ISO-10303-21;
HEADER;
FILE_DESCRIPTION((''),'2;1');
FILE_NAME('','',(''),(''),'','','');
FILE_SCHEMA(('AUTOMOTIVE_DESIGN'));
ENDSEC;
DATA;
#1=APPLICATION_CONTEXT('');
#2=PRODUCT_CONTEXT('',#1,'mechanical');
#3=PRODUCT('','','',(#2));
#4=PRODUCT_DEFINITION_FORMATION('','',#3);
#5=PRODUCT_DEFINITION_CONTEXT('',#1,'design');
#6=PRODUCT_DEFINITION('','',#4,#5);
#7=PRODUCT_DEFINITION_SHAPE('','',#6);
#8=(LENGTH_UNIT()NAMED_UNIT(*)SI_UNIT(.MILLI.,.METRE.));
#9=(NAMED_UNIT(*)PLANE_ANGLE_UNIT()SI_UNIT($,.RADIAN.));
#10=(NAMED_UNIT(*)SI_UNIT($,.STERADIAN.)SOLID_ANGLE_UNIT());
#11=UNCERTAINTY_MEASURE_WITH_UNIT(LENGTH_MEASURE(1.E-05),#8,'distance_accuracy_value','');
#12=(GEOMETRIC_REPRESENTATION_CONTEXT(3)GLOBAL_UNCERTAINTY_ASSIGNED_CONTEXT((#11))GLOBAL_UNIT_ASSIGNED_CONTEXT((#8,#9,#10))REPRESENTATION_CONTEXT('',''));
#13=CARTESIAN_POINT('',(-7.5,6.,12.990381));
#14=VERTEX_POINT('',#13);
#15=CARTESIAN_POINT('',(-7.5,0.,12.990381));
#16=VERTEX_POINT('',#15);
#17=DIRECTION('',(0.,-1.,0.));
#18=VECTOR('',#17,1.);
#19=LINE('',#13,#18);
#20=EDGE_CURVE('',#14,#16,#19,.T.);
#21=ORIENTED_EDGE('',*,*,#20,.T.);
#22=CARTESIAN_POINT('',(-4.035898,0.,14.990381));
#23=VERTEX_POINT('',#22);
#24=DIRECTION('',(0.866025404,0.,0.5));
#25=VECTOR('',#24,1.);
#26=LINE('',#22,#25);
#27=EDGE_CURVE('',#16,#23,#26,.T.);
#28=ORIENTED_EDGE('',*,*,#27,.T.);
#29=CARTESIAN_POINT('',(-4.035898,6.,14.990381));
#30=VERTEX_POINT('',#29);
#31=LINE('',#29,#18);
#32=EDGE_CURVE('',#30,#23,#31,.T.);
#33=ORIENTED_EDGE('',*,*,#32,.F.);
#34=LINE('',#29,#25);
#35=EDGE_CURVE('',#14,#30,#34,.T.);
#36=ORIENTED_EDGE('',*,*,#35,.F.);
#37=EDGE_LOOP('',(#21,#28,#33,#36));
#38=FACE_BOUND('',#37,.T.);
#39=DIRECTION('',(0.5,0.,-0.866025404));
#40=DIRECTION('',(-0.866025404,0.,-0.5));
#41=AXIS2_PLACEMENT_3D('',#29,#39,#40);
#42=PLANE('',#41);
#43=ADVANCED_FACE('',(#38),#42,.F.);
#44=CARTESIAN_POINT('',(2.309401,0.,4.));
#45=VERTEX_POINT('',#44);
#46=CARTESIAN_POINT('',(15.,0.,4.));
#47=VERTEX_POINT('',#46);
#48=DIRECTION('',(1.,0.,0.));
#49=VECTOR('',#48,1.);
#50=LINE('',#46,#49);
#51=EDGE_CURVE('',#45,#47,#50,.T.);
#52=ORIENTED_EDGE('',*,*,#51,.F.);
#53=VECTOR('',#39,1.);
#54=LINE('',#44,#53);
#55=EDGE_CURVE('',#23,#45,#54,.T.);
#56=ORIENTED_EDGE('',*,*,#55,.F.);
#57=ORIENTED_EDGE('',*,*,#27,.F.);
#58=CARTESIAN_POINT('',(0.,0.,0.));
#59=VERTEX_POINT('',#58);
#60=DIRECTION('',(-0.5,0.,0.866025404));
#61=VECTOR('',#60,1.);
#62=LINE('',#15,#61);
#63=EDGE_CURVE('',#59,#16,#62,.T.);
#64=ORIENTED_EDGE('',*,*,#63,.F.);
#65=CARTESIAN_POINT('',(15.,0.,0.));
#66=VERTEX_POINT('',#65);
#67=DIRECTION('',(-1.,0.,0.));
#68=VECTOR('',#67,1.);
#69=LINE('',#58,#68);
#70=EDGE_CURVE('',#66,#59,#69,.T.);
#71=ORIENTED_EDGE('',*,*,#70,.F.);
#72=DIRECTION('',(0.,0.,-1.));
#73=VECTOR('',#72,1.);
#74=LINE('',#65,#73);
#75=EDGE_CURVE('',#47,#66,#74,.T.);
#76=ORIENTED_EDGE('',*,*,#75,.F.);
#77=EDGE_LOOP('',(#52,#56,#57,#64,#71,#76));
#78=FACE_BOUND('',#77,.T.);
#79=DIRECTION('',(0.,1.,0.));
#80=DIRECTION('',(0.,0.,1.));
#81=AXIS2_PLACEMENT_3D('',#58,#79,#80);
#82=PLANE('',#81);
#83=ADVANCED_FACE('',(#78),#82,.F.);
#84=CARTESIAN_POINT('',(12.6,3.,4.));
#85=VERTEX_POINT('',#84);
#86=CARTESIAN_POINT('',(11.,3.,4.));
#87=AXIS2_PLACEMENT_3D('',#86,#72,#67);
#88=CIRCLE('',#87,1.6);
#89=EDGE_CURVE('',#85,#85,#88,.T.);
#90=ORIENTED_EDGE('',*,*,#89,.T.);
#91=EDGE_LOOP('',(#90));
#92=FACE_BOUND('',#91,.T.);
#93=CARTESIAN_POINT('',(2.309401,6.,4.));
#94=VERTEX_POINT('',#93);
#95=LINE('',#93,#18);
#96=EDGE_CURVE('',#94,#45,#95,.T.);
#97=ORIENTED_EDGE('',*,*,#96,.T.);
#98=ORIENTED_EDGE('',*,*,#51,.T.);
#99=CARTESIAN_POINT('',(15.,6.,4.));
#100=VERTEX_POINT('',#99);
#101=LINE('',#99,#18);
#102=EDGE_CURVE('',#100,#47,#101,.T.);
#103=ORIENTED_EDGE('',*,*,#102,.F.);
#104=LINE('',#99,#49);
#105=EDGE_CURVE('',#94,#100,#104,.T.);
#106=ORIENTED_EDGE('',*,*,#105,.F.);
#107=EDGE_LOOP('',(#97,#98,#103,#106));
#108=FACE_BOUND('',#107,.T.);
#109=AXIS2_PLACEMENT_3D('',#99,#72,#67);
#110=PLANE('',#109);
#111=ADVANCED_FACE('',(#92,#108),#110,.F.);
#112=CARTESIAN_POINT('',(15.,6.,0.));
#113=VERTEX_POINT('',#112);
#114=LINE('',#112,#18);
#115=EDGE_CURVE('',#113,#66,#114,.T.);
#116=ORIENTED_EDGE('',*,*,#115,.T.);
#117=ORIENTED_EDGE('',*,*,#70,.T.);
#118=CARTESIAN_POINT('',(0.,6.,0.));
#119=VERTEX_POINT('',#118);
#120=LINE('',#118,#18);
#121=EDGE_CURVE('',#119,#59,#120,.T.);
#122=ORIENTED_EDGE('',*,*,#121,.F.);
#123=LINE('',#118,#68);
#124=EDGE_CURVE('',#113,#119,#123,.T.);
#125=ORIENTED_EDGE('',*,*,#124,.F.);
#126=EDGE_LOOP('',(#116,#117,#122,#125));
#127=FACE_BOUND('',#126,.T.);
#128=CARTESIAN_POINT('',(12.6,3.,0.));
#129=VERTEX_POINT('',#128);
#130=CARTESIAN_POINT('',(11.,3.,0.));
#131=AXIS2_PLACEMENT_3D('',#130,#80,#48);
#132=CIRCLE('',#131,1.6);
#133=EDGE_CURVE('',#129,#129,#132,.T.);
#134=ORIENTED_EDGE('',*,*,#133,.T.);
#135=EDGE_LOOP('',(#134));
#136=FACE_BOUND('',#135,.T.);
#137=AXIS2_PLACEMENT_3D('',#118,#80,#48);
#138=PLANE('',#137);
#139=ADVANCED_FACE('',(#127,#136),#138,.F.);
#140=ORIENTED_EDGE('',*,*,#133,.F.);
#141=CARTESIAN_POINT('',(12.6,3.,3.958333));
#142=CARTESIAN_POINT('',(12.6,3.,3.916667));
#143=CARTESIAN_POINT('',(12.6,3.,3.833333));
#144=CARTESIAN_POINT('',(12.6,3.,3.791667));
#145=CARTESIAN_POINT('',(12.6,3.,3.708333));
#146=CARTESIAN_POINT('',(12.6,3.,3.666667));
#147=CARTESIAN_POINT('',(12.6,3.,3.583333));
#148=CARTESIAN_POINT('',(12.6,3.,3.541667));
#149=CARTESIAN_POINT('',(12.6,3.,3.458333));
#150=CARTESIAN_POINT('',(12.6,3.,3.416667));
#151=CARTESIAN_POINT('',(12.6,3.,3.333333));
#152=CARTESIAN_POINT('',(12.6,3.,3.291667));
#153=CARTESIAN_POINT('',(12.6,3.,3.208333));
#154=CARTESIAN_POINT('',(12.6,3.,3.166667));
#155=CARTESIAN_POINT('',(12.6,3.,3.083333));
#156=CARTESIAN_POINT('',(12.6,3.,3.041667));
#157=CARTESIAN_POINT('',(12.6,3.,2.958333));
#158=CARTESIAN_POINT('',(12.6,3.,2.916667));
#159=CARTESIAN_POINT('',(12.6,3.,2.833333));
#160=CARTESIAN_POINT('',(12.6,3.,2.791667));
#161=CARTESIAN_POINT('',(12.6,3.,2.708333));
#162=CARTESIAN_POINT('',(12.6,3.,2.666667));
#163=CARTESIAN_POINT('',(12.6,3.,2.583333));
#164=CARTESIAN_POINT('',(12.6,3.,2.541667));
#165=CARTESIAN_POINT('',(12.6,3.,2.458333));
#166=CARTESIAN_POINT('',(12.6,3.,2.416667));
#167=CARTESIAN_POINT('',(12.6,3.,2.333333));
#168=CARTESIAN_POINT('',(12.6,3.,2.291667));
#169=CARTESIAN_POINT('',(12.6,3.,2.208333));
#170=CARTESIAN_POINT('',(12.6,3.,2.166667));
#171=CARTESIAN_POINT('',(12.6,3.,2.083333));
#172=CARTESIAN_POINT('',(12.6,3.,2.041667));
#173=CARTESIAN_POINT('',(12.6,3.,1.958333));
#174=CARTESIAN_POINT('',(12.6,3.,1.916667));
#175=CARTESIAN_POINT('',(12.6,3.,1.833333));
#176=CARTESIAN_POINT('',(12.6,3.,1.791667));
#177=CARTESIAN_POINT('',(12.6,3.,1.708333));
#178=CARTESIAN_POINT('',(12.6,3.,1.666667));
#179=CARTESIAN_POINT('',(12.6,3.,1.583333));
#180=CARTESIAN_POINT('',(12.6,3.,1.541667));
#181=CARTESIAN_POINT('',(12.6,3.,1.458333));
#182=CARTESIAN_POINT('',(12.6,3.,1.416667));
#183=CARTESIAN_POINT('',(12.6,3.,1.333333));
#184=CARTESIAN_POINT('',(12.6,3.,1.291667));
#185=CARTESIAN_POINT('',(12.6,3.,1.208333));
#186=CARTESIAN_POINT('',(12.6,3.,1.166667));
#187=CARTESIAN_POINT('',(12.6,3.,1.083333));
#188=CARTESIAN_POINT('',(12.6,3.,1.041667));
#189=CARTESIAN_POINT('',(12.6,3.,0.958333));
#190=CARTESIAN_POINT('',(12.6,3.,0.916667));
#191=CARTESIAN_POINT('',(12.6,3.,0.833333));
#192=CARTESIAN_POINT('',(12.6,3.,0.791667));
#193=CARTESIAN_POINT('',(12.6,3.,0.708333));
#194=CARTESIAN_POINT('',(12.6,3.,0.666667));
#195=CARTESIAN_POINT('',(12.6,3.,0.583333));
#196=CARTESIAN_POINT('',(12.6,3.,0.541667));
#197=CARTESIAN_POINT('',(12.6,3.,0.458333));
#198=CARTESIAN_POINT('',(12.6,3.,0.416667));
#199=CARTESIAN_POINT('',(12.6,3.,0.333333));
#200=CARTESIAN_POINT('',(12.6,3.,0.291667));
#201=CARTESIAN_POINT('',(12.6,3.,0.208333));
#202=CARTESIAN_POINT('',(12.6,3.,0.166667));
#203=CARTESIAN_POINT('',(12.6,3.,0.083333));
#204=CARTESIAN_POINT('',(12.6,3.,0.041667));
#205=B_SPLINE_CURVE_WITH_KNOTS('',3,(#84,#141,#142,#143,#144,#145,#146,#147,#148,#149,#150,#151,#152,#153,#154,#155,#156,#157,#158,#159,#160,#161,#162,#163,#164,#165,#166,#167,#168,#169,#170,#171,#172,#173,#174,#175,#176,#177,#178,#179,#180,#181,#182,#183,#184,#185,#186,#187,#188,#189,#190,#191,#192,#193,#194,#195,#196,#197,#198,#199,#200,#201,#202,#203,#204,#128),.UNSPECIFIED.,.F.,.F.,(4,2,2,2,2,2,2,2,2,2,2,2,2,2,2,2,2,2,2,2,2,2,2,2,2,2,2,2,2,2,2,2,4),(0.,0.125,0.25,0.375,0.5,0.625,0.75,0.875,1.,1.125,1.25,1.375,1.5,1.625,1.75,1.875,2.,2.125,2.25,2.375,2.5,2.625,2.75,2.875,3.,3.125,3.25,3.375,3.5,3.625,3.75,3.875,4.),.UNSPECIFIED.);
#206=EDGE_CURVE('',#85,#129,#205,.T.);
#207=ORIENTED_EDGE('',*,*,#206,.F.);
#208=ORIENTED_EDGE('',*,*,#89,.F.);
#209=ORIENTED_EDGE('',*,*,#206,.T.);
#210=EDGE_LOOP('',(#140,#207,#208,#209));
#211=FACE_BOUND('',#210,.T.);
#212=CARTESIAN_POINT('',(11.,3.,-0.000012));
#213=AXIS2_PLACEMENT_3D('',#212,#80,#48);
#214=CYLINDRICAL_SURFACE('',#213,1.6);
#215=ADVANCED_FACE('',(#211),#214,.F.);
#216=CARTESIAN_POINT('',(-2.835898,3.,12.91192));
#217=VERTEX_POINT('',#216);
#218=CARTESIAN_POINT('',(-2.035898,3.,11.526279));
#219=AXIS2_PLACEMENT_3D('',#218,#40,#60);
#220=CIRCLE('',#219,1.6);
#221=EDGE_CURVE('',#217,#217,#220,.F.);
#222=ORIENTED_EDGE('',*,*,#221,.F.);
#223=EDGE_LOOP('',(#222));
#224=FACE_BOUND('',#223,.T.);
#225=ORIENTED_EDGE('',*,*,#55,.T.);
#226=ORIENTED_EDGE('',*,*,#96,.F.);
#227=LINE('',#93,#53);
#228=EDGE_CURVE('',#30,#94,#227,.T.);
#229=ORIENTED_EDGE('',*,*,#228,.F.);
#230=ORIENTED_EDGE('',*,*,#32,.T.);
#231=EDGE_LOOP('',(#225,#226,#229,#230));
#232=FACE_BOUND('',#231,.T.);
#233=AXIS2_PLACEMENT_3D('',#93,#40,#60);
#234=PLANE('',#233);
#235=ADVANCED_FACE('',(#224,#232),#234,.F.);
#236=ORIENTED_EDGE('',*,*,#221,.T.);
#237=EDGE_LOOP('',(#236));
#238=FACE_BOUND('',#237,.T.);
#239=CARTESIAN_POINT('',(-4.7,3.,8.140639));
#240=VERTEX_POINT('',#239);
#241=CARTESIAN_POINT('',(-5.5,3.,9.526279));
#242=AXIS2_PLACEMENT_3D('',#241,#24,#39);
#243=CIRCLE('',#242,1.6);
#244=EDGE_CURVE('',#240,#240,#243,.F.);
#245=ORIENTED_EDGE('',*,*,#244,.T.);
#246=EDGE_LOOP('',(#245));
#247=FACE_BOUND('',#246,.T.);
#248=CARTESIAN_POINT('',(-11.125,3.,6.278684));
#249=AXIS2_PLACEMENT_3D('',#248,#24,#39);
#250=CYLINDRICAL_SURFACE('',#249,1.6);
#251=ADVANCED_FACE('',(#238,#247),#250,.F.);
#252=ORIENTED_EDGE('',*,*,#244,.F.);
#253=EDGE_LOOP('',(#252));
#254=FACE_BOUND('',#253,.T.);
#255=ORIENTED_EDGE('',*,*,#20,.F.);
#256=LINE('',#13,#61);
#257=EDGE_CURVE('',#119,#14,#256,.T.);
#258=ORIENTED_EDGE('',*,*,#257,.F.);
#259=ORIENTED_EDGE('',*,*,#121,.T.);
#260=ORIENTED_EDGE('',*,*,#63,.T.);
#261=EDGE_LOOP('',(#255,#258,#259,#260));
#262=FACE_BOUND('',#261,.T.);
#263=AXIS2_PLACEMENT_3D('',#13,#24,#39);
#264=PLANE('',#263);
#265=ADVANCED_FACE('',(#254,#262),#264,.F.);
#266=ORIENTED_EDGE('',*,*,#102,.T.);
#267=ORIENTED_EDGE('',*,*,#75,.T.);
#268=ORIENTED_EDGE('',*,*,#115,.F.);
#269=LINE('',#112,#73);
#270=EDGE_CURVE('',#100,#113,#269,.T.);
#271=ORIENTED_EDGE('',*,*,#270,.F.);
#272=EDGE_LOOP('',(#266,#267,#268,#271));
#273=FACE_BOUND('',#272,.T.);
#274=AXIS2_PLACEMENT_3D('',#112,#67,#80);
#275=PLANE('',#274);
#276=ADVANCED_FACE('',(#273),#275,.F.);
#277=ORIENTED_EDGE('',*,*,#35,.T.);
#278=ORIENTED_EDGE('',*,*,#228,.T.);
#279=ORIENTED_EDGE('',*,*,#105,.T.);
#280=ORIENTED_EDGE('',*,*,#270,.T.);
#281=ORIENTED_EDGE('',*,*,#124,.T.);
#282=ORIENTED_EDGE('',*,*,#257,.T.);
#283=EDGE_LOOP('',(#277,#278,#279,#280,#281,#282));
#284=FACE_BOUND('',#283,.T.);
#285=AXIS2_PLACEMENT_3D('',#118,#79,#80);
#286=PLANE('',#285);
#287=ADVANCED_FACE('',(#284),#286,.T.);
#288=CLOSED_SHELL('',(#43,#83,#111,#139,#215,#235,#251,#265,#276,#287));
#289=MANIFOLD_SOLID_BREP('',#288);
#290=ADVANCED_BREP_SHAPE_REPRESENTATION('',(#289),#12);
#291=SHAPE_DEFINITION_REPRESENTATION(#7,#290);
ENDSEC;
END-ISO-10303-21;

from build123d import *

# Parameters (mm, degrees)
EXTRUDE_1_DEPTH                 = 6
CUT_EXTRUDE_1_REACH             = 24.039
SKETCH_2_R                      = 1.6
CUT_EXTRUDE_1_DIRECTION_2_DEPTH = 23.03886395


with BuildPart() as part:
    # 草图1 → 凸台-拉伸1 (new body)
    with BuildSketch(Plane(origin=(0, 0, 0), x_dir=(1, 0, 0), z_dir=(0, 1, 0))):
        Polygon((0, 0), (15, 0), (15, -4), (2.309401077, -4), (-4.035898385, -14.990381057), (-7.5, -12.990381057), align=None)
    extrude(amount=EXTRUDE_1_DEPTH)

    # 草图2 → 切除-拉伸1 (cut, up to next)
    with BuildSketch(Plane(origin=(0, 0, 0), x_dir=(-0.4999999999999975, 0, 0.86602540378444), z_dir=(-0.86602540378444, 0, -0.4999999999999975)), mode=Mode.PRIVATE) as cut_extrude_1_sk1:
        with Locations(Location((11, 3, 0), (0, 0, 180))):
            Circle(SKETCH_2_R)
    cut_extrude_1_tool1 = extrude(cut_extrude_1_sk1.sketch, amount=-CUT_EXTRUDE_1_REACH, mode=Mode.PRIVATE) & part.part
    cut_extrude_1 = cut_extrude_1_tool1.solids().sort_by_distance((-5.5, 3, 9.526279))[0]
    add(cut_extrude_1, mode=Mode.SUBTRACT)

    # 草图2 → 切除-拉伸1 direction 2 (cut)
    with BuildSketch(Plane(origin=(0, 0, 0), x_dir=(-0.4999999999999975, 0, 0.86602540378444), z_dir=(-0.86602540378444, 0, -0.4999999999999975))):
        with Locations(Location((11, 3, 0), (0, 0, 180))):
            Circle(SKETCH_2_R)
    cut_extrude_1_direction_2 = extrude(amount=CUT_EXTRUDE_1_DIRECTION_2_DEPTH, mode=Mode.SUBTRACT)

    # 镜向1: 切除-拉伸1, 切除-拉伸1 direction 2 across plane
    add(cut_extrude_1.mirror(Plane(origin=(0, 0, 0), x_dir=(0.5000000000000012, 0, 0.8660254037844378), z_dir=(-0.866025403784438, 0, 0.5000000000000012))), mode=Mode.SUBTRACT)
    add(cut_extrude_1_direction_2.mirror(Plane(origin=(0, 0, 0), x_dir=(0.5000000000000012, 0, 0.8660254037844378), z_dir=(-0.866025403784438, 0, 0.5000000000000012))), mode=Mode.SUBTRACT)


solid = part.part
